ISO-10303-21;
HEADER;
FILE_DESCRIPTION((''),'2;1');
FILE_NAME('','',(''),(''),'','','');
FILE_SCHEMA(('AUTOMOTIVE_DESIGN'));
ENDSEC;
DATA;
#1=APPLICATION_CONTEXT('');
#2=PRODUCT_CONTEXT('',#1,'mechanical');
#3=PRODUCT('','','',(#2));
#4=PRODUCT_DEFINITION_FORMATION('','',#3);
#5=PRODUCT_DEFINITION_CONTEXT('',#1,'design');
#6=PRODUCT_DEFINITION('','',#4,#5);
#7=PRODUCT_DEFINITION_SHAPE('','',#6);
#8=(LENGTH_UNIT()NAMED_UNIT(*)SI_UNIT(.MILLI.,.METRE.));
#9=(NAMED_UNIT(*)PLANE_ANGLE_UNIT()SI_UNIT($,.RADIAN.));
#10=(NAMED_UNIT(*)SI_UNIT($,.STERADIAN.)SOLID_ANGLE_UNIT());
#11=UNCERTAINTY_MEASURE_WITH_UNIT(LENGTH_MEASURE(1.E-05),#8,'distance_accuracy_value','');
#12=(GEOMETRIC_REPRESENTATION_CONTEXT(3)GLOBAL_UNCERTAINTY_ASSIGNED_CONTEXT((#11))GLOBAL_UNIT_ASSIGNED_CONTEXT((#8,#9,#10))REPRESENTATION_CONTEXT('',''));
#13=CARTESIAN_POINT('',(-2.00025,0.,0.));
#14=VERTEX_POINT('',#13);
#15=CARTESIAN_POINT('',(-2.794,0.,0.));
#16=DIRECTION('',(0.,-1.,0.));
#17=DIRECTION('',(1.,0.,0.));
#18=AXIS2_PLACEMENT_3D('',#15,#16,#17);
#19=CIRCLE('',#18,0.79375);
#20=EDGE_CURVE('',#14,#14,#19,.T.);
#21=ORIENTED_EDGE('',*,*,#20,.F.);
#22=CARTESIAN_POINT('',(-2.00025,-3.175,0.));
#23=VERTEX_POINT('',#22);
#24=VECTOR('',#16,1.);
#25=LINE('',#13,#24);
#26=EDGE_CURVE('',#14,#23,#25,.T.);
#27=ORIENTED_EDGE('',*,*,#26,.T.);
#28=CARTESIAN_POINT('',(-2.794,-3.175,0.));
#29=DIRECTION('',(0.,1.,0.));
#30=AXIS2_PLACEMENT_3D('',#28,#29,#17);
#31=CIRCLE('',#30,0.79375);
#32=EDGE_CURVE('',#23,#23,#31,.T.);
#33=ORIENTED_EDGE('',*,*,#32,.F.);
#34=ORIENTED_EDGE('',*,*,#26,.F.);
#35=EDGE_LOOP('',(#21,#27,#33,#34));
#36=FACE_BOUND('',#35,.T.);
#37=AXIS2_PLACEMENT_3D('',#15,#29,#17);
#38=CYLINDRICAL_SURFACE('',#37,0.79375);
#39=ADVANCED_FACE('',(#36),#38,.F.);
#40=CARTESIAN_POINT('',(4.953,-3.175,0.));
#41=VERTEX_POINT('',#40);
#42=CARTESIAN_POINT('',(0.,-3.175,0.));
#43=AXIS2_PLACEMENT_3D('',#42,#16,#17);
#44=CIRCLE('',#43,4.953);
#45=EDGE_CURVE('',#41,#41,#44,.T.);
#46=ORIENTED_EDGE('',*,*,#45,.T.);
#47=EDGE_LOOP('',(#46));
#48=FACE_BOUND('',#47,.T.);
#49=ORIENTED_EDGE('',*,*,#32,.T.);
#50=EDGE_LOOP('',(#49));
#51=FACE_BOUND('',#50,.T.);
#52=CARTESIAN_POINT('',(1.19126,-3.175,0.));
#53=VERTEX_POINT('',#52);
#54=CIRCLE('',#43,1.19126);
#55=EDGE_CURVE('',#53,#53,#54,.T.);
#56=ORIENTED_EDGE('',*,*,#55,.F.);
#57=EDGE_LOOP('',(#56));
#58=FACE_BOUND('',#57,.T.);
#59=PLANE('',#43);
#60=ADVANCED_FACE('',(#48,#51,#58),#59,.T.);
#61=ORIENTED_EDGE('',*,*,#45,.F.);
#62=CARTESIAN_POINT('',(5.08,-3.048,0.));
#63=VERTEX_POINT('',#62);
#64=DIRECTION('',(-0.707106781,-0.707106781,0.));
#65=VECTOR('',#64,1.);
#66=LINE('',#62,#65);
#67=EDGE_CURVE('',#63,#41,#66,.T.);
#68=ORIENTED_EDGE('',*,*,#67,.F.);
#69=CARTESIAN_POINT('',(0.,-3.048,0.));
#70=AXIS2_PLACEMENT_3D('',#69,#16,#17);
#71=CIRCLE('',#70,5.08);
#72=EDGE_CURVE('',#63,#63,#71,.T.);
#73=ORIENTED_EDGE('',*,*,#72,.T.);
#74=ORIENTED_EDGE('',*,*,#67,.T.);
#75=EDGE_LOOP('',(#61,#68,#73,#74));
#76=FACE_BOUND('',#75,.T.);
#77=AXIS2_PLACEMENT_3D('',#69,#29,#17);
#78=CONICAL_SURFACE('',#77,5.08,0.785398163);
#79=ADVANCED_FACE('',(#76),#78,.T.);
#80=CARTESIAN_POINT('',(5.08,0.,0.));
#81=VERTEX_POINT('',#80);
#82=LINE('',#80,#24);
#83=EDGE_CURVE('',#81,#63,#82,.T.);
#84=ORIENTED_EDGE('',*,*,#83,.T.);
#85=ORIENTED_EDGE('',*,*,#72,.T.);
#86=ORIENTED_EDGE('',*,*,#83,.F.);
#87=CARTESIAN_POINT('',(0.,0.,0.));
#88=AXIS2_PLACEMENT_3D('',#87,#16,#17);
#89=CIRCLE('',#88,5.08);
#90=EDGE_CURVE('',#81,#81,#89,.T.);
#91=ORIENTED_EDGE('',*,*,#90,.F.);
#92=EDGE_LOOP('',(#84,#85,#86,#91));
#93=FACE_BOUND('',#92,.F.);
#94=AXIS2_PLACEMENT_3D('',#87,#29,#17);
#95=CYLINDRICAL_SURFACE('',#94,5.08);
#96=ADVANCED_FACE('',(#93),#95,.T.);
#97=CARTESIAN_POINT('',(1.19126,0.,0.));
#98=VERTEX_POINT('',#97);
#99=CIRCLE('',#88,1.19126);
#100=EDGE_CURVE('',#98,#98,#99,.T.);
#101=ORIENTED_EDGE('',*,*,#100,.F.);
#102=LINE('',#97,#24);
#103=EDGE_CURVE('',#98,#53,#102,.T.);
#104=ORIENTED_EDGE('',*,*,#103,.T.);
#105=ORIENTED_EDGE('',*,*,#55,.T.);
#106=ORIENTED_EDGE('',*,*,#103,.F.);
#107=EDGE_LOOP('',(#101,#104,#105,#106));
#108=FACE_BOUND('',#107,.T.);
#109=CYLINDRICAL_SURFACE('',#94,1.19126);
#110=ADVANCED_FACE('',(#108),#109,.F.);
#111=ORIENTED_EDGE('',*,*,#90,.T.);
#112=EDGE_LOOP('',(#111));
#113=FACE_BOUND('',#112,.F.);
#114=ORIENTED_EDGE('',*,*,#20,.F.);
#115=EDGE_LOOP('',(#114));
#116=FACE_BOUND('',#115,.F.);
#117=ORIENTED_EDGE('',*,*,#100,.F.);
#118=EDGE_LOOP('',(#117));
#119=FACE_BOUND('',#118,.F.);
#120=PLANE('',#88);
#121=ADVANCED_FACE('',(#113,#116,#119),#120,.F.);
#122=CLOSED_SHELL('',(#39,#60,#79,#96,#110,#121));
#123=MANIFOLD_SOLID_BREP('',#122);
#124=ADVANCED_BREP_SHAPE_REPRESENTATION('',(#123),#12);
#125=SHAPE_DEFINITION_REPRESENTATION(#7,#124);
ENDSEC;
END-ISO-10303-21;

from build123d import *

# Parameters (mm, degrees)
F0_R          = 5.08
F0_R_2        = 1.19126
F1_DEPTH      = 3.175
F2_SIZE       = 0.127
F3_R          = 0.79375
F4_DEPTH      = 25.4
F4_DEPTH_BACK = 25.4


with BuildPart() as f1:
    # F0 (on Front) → F1 (new body)
    with BuildSketch(Plane.XZ):
        Circle(F0_R)
        Circle(F0_R_2, mode=Mode.SUBTRACT)
    extrude(amount=F1_DEPTH)

    # F2
    f2_edges = [f1.edges().sort_by_distance(p)[0] for p in [
        (-5.08, -3.175, 0),
    ]]
    chamfer(f2_edges, length=F2_SIZE)

    # F3 (on Front) → F4 (cut, two sides)
    with BuildSketch(Plane.XZ) as f4_sk:
        with Locations((-2.794, 0)):
            Circle(F3_R)
    extrude(amount=-F4_DEPTH, mode=Mode.SUBTRACT)
    extrude(f4_sk.sketch, amount=F4_DEPTH_BACK, mode=Mode.SUBTRACT)


solid = f1.part
